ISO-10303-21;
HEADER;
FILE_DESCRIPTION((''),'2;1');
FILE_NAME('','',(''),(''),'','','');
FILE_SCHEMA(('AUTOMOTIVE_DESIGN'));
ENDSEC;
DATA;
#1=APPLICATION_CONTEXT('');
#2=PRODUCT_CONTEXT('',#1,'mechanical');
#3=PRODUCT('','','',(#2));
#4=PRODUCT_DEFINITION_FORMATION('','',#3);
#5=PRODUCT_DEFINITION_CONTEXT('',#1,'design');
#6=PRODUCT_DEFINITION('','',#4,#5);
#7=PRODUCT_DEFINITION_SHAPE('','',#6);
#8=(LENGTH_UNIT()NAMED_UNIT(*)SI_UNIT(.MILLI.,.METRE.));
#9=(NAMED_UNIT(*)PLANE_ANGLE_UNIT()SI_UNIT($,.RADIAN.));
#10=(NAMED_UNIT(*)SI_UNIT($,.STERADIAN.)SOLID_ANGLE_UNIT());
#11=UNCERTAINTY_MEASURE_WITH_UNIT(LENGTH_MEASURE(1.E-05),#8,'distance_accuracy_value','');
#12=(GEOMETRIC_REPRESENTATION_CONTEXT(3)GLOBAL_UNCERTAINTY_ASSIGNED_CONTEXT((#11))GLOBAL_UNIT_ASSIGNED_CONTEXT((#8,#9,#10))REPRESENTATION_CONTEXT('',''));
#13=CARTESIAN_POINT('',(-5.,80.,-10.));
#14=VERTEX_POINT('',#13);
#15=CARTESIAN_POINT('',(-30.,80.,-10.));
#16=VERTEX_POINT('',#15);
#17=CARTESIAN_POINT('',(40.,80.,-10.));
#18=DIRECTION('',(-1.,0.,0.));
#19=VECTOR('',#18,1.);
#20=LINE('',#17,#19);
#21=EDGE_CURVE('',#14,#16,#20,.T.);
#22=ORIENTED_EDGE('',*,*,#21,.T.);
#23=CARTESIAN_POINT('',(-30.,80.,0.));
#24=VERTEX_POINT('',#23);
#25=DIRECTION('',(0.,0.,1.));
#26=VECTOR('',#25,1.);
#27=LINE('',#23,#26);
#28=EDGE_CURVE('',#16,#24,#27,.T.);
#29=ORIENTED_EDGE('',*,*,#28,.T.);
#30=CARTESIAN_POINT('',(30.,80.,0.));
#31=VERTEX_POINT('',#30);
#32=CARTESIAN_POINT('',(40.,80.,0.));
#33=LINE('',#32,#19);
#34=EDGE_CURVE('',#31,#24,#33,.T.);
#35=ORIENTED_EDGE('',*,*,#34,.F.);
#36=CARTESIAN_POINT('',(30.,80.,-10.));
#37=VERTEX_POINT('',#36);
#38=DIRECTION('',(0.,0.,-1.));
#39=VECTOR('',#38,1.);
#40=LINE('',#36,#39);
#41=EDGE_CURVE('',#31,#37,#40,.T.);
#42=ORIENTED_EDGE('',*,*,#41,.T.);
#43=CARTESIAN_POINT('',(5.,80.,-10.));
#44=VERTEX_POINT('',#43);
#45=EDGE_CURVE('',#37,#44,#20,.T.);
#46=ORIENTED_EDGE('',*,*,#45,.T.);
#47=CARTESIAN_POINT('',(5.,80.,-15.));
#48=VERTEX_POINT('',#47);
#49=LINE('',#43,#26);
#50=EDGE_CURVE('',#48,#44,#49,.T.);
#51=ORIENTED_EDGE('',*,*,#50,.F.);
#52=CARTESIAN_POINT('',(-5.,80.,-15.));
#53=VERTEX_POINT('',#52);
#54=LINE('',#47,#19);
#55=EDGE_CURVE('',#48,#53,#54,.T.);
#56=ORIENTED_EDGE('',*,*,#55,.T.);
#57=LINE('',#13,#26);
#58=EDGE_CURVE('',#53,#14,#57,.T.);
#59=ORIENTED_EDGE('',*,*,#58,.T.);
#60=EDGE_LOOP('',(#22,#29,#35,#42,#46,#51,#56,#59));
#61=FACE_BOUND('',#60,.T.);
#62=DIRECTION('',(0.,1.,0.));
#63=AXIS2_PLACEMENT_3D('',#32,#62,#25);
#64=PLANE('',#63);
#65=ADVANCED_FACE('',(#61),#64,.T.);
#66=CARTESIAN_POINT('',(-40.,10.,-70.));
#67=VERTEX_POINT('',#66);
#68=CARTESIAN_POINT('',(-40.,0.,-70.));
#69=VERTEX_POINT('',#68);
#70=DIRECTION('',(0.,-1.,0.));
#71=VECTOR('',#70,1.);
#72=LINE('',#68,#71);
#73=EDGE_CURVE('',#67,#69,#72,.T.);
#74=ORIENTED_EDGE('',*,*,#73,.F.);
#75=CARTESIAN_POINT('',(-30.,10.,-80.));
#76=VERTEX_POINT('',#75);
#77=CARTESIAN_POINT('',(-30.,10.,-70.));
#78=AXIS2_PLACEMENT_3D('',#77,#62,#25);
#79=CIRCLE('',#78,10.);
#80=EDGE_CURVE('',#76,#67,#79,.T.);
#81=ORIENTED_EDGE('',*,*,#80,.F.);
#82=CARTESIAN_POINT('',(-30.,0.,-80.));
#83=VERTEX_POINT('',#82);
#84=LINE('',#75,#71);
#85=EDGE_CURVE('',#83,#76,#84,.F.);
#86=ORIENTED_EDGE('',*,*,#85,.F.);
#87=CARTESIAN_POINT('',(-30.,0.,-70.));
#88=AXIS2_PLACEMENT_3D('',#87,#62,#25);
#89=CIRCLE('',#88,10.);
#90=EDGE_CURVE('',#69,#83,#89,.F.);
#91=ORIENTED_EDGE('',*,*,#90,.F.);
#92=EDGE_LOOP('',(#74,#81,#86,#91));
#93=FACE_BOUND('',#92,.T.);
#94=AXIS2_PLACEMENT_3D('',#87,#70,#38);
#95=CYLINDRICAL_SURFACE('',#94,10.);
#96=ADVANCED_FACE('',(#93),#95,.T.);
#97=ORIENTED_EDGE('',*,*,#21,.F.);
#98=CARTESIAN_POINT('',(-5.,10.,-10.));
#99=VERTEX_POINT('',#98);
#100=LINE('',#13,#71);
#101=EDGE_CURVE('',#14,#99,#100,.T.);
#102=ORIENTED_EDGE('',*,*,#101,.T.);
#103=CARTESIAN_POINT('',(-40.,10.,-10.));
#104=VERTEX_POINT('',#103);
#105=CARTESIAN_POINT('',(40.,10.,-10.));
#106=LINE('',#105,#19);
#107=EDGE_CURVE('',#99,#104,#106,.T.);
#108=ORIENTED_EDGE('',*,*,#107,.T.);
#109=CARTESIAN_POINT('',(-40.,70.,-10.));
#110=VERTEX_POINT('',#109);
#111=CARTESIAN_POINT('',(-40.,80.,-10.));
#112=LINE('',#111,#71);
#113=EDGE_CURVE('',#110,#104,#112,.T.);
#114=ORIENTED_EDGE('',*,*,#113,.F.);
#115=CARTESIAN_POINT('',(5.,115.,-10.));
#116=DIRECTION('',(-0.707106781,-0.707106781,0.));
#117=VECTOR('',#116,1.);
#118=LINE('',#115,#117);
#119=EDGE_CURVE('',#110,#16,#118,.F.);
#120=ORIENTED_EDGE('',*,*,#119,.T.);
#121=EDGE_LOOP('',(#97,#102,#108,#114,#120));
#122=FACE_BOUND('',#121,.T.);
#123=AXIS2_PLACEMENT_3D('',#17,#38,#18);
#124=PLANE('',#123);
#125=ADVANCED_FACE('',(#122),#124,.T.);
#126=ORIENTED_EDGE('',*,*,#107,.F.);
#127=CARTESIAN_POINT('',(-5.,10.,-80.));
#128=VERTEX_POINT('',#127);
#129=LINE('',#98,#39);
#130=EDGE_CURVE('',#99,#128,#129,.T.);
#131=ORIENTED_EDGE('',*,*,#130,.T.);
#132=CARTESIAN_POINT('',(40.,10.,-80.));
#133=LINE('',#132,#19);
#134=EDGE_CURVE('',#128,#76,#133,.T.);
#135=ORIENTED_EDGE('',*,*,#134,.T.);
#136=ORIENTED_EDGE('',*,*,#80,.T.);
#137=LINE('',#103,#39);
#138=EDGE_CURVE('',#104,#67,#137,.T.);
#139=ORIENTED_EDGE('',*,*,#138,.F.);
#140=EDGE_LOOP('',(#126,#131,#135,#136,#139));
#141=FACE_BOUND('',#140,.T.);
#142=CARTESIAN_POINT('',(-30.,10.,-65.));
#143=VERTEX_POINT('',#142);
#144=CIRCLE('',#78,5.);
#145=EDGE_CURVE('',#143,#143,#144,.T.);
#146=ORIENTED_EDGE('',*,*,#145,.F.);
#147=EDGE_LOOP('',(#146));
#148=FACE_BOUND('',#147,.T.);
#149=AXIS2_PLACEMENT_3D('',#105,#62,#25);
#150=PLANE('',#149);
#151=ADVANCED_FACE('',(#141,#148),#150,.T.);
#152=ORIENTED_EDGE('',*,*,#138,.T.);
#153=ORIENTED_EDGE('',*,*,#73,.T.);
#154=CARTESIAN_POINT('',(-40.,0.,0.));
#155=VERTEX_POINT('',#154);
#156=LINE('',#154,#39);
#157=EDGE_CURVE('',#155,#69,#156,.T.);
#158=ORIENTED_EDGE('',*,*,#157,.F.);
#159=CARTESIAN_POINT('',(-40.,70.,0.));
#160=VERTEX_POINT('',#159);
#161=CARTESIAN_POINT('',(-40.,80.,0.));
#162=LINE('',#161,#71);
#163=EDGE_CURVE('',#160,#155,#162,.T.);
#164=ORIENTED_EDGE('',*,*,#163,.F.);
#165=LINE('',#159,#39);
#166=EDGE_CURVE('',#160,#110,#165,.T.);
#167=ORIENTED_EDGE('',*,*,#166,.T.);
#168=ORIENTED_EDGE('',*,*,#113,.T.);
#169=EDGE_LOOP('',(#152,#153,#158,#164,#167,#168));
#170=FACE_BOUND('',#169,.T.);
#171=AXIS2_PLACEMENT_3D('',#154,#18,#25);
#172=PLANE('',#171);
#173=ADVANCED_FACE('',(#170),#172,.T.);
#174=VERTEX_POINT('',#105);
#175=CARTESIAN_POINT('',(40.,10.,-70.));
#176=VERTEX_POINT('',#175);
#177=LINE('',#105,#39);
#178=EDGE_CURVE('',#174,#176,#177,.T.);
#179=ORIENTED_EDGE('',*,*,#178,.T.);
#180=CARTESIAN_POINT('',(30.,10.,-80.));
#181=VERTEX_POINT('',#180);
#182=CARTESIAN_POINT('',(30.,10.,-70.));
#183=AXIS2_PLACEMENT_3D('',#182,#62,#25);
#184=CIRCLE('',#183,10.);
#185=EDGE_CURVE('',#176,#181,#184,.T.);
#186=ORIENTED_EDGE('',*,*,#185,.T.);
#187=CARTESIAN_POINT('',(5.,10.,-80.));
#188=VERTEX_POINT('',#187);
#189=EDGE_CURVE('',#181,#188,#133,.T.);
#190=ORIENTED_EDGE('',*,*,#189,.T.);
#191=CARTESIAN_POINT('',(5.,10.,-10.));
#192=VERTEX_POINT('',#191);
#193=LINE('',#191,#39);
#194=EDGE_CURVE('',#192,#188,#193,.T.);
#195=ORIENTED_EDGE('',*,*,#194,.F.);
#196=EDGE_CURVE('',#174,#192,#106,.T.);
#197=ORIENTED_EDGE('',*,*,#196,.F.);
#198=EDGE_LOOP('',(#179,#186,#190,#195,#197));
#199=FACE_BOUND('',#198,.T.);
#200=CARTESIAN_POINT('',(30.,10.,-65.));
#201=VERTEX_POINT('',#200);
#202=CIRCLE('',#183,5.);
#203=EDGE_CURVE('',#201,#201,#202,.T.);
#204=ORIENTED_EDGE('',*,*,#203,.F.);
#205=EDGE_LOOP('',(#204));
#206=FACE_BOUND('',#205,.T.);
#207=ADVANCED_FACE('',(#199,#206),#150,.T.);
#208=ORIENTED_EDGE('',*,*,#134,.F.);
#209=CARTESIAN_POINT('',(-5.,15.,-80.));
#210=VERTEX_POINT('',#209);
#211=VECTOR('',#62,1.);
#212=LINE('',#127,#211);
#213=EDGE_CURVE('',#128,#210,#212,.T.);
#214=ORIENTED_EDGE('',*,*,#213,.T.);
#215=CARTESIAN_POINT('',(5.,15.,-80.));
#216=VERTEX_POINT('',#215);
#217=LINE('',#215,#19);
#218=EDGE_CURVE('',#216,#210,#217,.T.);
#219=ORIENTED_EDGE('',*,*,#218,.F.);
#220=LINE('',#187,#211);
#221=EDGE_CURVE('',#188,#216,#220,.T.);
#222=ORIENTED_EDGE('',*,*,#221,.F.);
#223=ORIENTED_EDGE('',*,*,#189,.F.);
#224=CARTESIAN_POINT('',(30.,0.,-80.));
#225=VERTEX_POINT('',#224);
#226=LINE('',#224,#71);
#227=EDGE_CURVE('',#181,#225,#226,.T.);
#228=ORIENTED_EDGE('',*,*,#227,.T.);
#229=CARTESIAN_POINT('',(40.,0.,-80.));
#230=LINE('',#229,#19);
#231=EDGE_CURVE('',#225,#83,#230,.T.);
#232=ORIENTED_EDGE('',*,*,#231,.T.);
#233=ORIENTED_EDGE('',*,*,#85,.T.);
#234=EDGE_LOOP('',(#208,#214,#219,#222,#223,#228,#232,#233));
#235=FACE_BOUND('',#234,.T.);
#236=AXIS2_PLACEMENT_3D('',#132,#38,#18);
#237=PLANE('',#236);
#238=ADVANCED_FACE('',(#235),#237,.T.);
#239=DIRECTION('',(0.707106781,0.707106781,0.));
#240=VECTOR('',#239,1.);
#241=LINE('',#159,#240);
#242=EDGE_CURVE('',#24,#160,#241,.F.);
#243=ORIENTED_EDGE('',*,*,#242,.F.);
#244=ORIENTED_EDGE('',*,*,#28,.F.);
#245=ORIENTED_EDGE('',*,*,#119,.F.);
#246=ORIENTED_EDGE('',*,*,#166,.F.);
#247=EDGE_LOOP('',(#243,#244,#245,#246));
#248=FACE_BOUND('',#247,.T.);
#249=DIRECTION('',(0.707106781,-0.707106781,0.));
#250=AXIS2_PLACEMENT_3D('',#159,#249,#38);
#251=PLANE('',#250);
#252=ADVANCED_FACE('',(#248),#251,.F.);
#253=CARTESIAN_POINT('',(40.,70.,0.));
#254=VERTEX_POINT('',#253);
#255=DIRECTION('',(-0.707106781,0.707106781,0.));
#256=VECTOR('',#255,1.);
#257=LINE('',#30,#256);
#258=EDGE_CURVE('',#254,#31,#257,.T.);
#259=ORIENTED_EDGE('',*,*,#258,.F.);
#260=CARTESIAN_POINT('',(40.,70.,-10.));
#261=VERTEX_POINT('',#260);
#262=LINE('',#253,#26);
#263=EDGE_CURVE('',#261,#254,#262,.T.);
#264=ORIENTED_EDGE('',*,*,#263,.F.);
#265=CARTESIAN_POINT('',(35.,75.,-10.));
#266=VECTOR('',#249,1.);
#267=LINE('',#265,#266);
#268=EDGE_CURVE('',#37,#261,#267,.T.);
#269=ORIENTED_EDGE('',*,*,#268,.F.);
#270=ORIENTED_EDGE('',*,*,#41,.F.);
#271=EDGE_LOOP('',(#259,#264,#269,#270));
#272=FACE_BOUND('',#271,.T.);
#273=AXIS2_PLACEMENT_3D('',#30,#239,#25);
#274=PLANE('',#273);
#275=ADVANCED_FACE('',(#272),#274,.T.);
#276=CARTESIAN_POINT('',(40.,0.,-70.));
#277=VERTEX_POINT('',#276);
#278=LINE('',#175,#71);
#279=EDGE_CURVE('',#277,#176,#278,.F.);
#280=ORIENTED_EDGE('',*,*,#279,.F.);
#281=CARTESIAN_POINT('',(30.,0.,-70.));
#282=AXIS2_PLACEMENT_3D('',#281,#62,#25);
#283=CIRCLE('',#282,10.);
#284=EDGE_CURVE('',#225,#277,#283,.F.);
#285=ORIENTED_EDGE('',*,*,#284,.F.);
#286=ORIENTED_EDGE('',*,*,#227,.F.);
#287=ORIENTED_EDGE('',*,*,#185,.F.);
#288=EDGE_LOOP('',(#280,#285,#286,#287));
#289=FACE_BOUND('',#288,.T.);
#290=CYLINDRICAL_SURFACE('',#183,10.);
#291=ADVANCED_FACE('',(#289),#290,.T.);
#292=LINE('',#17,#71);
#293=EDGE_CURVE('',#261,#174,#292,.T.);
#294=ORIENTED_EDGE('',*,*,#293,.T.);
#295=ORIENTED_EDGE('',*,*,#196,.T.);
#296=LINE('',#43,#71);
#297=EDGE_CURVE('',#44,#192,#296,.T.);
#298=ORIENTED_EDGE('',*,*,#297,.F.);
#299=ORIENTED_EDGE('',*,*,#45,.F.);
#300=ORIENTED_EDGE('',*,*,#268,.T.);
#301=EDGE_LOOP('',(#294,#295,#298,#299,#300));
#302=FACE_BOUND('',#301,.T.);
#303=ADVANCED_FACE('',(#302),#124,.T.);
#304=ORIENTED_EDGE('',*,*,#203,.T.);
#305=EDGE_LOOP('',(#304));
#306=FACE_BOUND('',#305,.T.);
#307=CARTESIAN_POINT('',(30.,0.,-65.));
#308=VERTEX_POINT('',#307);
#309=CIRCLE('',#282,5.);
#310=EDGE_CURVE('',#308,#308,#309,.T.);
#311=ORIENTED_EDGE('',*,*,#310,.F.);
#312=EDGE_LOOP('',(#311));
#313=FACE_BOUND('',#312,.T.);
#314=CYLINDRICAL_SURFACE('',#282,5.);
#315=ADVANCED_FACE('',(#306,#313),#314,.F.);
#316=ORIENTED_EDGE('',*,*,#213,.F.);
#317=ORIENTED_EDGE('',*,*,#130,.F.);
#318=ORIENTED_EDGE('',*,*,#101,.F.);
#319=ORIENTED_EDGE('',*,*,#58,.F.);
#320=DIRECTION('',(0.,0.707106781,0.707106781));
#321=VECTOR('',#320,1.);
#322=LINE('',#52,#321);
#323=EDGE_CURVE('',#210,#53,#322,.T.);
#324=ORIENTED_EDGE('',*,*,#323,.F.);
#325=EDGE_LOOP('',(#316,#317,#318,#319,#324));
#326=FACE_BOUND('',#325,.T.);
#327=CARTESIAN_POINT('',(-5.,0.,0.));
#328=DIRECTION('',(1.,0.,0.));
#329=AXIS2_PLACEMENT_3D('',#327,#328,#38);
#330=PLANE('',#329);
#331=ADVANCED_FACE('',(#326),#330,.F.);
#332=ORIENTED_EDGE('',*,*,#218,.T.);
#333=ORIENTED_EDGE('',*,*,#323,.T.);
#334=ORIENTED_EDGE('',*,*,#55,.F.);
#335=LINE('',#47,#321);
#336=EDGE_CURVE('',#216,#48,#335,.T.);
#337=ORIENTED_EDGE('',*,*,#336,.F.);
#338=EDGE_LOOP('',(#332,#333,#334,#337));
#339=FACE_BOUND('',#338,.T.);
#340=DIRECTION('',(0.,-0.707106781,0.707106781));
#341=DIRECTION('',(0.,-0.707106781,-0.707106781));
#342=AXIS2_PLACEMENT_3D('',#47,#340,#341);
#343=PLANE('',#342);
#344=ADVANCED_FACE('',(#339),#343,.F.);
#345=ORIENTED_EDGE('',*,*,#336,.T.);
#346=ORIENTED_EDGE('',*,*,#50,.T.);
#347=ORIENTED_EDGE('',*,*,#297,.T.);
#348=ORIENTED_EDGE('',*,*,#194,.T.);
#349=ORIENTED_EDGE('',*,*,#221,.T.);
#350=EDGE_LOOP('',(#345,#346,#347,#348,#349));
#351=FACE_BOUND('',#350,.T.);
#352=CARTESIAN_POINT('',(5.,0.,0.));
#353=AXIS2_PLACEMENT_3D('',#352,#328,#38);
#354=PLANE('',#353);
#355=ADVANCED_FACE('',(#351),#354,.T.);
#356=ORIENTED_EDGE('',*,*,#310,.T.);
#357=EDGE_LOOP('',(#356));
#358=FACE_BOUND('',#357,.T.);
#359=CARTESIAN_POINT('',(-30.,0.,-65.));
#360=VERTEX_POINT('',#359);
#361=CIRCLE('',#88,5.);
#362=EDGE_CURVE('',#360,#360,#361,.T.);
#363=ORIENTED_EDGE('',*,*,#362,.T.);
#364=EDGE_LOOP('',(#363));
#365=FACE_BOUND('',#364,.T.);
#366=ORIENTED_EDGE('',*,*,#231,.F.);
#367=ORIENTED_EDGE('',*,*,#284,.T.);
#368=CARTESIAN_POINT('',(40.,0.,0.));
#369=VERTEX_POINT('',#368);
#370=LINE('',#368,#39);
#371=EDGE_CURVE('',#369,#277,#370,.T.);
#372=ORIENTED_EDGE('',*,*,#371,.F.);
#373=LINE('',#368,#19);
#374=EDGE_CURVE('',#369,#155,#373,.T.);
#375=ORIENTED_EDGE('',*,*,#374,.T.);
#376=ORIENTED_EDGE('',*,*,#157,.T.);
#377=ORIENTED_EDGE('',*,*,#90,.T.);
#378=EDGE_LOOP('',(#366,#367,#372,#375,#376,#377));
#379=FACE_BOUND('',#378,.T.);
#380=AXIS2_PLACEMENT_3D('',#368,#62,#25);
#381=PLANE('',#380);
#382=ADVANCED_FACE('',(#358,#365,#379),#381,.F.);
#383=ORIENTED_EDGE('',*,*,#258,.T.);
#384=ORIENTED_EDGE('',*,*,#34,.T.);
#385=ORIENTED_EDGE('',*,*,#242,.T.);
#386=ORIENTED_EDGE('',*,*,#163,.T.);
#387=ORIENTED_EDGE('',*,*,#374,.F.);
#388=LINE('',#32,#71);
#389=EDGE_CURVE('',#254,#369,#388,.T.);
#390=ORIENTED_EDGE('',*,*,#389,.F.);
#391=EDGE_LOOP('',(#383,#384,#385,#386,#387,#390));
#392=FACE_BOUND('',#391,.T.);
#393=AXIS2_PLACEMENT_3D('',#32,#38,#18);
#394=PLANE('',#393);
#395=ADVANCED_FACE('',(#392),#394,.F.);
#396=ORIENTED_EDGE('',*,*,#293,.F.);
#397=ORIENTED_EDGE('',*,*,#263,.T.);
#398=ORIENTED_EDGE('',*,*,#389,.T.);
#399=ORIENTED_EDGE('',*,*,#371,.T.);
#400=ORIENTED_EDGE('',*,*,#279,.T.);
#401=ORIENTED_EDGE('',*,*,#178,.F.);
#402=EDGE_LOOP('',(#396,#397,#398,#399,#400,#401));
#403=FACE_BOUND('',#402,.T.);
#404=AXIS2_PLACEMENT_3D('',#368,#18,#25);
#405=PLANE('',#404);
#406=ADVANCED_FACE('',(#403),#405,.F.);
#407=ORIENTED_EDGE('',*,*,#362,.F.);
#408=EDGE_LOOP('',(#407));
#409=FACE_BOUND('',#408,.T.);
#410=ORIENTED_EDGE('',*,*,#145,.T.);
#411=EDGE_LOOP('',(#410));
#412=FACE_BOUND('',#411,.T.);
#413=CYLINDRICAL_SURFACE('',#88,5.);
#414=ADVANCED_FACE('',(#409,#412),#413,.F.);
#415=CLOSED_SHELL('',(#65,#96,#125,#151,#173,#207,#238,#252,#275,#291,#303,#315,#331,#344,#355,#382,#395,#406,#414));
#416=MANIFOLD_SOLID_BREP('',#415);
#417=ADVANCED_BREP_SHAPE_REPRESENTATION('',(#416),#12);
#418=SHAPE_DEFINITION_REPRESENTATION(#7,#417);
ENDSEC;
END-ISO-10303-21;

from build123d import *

# Parameters (mm, degrees)
BOSS_EXTRUDE2_DEPTH = 40
BOSS_EXTRUDE3_DEPTH = 5
FILLET1_R           = 10
SKETCH3_R           = 5
CUT_EXTRUDE1_DEPTH  = 114.578166916
CHAMFER1_SIZE       = 10


with BuildPart() as part:
    # Sketch1 → Boss-Extrude2 (new, symmetric)
    with BuildSketch(Plane(origin=(0, 0, 0), x_dir=(0, 0, -1), z_dir=(1, 0, 0))):
        Polygon((0, 0), (80, 0), (80, 10), (10, 10), (10, 80), (0, 80), align=None)
    extrude(amount=BOSS_EXTRUDE2_DEPTH, both=True)

    # Sketch2 → Boss-Extrude3 (add, symmetric)
    with BuildSketch(Plane(origin=(0, 0, 0), x_dir=(0, 0, -1), z_dir=(1, 0, 0))):
        Polygon((10, 10), (80, 10), (80, 15), (15, 80), (10, 80), align=None)
    extrude(amount=BOSS_EXTRUDE3_DEPTH, both=True)

    # Fillet1
    fillet1_edges = [part.edges().sort_by_distance(p)[0] for p in [
        (40, 5, -80),
        (-40, 5, -80),
    ]]
    fillet(fillet1_edges, radius=FILLET1_R)

    # Sketch3 → Cut-Extrude1 (cut, through all)
    with BuildSketch(Plane(origin=(0, 10, 0), x_dir=(1, 0, 0), z_dir=(0, 1, 0))):
        with Locations(Location((30, 70, 0), (0, 0, 270))):
            Circle(SKETCH3_R)
        with Locations(Location((-30, 70, 0), (0, 0, 270))):
            Circle(SKETCH3_R)
    extrude(amount=-CUT_EXTRUDE1_DEPTH, mode=Mode.SUBTRACT)

    # Chamfer1
    chamfer1_edges = [part.edges().sort_by_distance(p)[0] for p in [
        (40, 80, -5),
        (-40, 80, -5),
    ]]
    chamfer(chamfer1_edges, length=CHAMFER1_SIZE)


solid = part.part
